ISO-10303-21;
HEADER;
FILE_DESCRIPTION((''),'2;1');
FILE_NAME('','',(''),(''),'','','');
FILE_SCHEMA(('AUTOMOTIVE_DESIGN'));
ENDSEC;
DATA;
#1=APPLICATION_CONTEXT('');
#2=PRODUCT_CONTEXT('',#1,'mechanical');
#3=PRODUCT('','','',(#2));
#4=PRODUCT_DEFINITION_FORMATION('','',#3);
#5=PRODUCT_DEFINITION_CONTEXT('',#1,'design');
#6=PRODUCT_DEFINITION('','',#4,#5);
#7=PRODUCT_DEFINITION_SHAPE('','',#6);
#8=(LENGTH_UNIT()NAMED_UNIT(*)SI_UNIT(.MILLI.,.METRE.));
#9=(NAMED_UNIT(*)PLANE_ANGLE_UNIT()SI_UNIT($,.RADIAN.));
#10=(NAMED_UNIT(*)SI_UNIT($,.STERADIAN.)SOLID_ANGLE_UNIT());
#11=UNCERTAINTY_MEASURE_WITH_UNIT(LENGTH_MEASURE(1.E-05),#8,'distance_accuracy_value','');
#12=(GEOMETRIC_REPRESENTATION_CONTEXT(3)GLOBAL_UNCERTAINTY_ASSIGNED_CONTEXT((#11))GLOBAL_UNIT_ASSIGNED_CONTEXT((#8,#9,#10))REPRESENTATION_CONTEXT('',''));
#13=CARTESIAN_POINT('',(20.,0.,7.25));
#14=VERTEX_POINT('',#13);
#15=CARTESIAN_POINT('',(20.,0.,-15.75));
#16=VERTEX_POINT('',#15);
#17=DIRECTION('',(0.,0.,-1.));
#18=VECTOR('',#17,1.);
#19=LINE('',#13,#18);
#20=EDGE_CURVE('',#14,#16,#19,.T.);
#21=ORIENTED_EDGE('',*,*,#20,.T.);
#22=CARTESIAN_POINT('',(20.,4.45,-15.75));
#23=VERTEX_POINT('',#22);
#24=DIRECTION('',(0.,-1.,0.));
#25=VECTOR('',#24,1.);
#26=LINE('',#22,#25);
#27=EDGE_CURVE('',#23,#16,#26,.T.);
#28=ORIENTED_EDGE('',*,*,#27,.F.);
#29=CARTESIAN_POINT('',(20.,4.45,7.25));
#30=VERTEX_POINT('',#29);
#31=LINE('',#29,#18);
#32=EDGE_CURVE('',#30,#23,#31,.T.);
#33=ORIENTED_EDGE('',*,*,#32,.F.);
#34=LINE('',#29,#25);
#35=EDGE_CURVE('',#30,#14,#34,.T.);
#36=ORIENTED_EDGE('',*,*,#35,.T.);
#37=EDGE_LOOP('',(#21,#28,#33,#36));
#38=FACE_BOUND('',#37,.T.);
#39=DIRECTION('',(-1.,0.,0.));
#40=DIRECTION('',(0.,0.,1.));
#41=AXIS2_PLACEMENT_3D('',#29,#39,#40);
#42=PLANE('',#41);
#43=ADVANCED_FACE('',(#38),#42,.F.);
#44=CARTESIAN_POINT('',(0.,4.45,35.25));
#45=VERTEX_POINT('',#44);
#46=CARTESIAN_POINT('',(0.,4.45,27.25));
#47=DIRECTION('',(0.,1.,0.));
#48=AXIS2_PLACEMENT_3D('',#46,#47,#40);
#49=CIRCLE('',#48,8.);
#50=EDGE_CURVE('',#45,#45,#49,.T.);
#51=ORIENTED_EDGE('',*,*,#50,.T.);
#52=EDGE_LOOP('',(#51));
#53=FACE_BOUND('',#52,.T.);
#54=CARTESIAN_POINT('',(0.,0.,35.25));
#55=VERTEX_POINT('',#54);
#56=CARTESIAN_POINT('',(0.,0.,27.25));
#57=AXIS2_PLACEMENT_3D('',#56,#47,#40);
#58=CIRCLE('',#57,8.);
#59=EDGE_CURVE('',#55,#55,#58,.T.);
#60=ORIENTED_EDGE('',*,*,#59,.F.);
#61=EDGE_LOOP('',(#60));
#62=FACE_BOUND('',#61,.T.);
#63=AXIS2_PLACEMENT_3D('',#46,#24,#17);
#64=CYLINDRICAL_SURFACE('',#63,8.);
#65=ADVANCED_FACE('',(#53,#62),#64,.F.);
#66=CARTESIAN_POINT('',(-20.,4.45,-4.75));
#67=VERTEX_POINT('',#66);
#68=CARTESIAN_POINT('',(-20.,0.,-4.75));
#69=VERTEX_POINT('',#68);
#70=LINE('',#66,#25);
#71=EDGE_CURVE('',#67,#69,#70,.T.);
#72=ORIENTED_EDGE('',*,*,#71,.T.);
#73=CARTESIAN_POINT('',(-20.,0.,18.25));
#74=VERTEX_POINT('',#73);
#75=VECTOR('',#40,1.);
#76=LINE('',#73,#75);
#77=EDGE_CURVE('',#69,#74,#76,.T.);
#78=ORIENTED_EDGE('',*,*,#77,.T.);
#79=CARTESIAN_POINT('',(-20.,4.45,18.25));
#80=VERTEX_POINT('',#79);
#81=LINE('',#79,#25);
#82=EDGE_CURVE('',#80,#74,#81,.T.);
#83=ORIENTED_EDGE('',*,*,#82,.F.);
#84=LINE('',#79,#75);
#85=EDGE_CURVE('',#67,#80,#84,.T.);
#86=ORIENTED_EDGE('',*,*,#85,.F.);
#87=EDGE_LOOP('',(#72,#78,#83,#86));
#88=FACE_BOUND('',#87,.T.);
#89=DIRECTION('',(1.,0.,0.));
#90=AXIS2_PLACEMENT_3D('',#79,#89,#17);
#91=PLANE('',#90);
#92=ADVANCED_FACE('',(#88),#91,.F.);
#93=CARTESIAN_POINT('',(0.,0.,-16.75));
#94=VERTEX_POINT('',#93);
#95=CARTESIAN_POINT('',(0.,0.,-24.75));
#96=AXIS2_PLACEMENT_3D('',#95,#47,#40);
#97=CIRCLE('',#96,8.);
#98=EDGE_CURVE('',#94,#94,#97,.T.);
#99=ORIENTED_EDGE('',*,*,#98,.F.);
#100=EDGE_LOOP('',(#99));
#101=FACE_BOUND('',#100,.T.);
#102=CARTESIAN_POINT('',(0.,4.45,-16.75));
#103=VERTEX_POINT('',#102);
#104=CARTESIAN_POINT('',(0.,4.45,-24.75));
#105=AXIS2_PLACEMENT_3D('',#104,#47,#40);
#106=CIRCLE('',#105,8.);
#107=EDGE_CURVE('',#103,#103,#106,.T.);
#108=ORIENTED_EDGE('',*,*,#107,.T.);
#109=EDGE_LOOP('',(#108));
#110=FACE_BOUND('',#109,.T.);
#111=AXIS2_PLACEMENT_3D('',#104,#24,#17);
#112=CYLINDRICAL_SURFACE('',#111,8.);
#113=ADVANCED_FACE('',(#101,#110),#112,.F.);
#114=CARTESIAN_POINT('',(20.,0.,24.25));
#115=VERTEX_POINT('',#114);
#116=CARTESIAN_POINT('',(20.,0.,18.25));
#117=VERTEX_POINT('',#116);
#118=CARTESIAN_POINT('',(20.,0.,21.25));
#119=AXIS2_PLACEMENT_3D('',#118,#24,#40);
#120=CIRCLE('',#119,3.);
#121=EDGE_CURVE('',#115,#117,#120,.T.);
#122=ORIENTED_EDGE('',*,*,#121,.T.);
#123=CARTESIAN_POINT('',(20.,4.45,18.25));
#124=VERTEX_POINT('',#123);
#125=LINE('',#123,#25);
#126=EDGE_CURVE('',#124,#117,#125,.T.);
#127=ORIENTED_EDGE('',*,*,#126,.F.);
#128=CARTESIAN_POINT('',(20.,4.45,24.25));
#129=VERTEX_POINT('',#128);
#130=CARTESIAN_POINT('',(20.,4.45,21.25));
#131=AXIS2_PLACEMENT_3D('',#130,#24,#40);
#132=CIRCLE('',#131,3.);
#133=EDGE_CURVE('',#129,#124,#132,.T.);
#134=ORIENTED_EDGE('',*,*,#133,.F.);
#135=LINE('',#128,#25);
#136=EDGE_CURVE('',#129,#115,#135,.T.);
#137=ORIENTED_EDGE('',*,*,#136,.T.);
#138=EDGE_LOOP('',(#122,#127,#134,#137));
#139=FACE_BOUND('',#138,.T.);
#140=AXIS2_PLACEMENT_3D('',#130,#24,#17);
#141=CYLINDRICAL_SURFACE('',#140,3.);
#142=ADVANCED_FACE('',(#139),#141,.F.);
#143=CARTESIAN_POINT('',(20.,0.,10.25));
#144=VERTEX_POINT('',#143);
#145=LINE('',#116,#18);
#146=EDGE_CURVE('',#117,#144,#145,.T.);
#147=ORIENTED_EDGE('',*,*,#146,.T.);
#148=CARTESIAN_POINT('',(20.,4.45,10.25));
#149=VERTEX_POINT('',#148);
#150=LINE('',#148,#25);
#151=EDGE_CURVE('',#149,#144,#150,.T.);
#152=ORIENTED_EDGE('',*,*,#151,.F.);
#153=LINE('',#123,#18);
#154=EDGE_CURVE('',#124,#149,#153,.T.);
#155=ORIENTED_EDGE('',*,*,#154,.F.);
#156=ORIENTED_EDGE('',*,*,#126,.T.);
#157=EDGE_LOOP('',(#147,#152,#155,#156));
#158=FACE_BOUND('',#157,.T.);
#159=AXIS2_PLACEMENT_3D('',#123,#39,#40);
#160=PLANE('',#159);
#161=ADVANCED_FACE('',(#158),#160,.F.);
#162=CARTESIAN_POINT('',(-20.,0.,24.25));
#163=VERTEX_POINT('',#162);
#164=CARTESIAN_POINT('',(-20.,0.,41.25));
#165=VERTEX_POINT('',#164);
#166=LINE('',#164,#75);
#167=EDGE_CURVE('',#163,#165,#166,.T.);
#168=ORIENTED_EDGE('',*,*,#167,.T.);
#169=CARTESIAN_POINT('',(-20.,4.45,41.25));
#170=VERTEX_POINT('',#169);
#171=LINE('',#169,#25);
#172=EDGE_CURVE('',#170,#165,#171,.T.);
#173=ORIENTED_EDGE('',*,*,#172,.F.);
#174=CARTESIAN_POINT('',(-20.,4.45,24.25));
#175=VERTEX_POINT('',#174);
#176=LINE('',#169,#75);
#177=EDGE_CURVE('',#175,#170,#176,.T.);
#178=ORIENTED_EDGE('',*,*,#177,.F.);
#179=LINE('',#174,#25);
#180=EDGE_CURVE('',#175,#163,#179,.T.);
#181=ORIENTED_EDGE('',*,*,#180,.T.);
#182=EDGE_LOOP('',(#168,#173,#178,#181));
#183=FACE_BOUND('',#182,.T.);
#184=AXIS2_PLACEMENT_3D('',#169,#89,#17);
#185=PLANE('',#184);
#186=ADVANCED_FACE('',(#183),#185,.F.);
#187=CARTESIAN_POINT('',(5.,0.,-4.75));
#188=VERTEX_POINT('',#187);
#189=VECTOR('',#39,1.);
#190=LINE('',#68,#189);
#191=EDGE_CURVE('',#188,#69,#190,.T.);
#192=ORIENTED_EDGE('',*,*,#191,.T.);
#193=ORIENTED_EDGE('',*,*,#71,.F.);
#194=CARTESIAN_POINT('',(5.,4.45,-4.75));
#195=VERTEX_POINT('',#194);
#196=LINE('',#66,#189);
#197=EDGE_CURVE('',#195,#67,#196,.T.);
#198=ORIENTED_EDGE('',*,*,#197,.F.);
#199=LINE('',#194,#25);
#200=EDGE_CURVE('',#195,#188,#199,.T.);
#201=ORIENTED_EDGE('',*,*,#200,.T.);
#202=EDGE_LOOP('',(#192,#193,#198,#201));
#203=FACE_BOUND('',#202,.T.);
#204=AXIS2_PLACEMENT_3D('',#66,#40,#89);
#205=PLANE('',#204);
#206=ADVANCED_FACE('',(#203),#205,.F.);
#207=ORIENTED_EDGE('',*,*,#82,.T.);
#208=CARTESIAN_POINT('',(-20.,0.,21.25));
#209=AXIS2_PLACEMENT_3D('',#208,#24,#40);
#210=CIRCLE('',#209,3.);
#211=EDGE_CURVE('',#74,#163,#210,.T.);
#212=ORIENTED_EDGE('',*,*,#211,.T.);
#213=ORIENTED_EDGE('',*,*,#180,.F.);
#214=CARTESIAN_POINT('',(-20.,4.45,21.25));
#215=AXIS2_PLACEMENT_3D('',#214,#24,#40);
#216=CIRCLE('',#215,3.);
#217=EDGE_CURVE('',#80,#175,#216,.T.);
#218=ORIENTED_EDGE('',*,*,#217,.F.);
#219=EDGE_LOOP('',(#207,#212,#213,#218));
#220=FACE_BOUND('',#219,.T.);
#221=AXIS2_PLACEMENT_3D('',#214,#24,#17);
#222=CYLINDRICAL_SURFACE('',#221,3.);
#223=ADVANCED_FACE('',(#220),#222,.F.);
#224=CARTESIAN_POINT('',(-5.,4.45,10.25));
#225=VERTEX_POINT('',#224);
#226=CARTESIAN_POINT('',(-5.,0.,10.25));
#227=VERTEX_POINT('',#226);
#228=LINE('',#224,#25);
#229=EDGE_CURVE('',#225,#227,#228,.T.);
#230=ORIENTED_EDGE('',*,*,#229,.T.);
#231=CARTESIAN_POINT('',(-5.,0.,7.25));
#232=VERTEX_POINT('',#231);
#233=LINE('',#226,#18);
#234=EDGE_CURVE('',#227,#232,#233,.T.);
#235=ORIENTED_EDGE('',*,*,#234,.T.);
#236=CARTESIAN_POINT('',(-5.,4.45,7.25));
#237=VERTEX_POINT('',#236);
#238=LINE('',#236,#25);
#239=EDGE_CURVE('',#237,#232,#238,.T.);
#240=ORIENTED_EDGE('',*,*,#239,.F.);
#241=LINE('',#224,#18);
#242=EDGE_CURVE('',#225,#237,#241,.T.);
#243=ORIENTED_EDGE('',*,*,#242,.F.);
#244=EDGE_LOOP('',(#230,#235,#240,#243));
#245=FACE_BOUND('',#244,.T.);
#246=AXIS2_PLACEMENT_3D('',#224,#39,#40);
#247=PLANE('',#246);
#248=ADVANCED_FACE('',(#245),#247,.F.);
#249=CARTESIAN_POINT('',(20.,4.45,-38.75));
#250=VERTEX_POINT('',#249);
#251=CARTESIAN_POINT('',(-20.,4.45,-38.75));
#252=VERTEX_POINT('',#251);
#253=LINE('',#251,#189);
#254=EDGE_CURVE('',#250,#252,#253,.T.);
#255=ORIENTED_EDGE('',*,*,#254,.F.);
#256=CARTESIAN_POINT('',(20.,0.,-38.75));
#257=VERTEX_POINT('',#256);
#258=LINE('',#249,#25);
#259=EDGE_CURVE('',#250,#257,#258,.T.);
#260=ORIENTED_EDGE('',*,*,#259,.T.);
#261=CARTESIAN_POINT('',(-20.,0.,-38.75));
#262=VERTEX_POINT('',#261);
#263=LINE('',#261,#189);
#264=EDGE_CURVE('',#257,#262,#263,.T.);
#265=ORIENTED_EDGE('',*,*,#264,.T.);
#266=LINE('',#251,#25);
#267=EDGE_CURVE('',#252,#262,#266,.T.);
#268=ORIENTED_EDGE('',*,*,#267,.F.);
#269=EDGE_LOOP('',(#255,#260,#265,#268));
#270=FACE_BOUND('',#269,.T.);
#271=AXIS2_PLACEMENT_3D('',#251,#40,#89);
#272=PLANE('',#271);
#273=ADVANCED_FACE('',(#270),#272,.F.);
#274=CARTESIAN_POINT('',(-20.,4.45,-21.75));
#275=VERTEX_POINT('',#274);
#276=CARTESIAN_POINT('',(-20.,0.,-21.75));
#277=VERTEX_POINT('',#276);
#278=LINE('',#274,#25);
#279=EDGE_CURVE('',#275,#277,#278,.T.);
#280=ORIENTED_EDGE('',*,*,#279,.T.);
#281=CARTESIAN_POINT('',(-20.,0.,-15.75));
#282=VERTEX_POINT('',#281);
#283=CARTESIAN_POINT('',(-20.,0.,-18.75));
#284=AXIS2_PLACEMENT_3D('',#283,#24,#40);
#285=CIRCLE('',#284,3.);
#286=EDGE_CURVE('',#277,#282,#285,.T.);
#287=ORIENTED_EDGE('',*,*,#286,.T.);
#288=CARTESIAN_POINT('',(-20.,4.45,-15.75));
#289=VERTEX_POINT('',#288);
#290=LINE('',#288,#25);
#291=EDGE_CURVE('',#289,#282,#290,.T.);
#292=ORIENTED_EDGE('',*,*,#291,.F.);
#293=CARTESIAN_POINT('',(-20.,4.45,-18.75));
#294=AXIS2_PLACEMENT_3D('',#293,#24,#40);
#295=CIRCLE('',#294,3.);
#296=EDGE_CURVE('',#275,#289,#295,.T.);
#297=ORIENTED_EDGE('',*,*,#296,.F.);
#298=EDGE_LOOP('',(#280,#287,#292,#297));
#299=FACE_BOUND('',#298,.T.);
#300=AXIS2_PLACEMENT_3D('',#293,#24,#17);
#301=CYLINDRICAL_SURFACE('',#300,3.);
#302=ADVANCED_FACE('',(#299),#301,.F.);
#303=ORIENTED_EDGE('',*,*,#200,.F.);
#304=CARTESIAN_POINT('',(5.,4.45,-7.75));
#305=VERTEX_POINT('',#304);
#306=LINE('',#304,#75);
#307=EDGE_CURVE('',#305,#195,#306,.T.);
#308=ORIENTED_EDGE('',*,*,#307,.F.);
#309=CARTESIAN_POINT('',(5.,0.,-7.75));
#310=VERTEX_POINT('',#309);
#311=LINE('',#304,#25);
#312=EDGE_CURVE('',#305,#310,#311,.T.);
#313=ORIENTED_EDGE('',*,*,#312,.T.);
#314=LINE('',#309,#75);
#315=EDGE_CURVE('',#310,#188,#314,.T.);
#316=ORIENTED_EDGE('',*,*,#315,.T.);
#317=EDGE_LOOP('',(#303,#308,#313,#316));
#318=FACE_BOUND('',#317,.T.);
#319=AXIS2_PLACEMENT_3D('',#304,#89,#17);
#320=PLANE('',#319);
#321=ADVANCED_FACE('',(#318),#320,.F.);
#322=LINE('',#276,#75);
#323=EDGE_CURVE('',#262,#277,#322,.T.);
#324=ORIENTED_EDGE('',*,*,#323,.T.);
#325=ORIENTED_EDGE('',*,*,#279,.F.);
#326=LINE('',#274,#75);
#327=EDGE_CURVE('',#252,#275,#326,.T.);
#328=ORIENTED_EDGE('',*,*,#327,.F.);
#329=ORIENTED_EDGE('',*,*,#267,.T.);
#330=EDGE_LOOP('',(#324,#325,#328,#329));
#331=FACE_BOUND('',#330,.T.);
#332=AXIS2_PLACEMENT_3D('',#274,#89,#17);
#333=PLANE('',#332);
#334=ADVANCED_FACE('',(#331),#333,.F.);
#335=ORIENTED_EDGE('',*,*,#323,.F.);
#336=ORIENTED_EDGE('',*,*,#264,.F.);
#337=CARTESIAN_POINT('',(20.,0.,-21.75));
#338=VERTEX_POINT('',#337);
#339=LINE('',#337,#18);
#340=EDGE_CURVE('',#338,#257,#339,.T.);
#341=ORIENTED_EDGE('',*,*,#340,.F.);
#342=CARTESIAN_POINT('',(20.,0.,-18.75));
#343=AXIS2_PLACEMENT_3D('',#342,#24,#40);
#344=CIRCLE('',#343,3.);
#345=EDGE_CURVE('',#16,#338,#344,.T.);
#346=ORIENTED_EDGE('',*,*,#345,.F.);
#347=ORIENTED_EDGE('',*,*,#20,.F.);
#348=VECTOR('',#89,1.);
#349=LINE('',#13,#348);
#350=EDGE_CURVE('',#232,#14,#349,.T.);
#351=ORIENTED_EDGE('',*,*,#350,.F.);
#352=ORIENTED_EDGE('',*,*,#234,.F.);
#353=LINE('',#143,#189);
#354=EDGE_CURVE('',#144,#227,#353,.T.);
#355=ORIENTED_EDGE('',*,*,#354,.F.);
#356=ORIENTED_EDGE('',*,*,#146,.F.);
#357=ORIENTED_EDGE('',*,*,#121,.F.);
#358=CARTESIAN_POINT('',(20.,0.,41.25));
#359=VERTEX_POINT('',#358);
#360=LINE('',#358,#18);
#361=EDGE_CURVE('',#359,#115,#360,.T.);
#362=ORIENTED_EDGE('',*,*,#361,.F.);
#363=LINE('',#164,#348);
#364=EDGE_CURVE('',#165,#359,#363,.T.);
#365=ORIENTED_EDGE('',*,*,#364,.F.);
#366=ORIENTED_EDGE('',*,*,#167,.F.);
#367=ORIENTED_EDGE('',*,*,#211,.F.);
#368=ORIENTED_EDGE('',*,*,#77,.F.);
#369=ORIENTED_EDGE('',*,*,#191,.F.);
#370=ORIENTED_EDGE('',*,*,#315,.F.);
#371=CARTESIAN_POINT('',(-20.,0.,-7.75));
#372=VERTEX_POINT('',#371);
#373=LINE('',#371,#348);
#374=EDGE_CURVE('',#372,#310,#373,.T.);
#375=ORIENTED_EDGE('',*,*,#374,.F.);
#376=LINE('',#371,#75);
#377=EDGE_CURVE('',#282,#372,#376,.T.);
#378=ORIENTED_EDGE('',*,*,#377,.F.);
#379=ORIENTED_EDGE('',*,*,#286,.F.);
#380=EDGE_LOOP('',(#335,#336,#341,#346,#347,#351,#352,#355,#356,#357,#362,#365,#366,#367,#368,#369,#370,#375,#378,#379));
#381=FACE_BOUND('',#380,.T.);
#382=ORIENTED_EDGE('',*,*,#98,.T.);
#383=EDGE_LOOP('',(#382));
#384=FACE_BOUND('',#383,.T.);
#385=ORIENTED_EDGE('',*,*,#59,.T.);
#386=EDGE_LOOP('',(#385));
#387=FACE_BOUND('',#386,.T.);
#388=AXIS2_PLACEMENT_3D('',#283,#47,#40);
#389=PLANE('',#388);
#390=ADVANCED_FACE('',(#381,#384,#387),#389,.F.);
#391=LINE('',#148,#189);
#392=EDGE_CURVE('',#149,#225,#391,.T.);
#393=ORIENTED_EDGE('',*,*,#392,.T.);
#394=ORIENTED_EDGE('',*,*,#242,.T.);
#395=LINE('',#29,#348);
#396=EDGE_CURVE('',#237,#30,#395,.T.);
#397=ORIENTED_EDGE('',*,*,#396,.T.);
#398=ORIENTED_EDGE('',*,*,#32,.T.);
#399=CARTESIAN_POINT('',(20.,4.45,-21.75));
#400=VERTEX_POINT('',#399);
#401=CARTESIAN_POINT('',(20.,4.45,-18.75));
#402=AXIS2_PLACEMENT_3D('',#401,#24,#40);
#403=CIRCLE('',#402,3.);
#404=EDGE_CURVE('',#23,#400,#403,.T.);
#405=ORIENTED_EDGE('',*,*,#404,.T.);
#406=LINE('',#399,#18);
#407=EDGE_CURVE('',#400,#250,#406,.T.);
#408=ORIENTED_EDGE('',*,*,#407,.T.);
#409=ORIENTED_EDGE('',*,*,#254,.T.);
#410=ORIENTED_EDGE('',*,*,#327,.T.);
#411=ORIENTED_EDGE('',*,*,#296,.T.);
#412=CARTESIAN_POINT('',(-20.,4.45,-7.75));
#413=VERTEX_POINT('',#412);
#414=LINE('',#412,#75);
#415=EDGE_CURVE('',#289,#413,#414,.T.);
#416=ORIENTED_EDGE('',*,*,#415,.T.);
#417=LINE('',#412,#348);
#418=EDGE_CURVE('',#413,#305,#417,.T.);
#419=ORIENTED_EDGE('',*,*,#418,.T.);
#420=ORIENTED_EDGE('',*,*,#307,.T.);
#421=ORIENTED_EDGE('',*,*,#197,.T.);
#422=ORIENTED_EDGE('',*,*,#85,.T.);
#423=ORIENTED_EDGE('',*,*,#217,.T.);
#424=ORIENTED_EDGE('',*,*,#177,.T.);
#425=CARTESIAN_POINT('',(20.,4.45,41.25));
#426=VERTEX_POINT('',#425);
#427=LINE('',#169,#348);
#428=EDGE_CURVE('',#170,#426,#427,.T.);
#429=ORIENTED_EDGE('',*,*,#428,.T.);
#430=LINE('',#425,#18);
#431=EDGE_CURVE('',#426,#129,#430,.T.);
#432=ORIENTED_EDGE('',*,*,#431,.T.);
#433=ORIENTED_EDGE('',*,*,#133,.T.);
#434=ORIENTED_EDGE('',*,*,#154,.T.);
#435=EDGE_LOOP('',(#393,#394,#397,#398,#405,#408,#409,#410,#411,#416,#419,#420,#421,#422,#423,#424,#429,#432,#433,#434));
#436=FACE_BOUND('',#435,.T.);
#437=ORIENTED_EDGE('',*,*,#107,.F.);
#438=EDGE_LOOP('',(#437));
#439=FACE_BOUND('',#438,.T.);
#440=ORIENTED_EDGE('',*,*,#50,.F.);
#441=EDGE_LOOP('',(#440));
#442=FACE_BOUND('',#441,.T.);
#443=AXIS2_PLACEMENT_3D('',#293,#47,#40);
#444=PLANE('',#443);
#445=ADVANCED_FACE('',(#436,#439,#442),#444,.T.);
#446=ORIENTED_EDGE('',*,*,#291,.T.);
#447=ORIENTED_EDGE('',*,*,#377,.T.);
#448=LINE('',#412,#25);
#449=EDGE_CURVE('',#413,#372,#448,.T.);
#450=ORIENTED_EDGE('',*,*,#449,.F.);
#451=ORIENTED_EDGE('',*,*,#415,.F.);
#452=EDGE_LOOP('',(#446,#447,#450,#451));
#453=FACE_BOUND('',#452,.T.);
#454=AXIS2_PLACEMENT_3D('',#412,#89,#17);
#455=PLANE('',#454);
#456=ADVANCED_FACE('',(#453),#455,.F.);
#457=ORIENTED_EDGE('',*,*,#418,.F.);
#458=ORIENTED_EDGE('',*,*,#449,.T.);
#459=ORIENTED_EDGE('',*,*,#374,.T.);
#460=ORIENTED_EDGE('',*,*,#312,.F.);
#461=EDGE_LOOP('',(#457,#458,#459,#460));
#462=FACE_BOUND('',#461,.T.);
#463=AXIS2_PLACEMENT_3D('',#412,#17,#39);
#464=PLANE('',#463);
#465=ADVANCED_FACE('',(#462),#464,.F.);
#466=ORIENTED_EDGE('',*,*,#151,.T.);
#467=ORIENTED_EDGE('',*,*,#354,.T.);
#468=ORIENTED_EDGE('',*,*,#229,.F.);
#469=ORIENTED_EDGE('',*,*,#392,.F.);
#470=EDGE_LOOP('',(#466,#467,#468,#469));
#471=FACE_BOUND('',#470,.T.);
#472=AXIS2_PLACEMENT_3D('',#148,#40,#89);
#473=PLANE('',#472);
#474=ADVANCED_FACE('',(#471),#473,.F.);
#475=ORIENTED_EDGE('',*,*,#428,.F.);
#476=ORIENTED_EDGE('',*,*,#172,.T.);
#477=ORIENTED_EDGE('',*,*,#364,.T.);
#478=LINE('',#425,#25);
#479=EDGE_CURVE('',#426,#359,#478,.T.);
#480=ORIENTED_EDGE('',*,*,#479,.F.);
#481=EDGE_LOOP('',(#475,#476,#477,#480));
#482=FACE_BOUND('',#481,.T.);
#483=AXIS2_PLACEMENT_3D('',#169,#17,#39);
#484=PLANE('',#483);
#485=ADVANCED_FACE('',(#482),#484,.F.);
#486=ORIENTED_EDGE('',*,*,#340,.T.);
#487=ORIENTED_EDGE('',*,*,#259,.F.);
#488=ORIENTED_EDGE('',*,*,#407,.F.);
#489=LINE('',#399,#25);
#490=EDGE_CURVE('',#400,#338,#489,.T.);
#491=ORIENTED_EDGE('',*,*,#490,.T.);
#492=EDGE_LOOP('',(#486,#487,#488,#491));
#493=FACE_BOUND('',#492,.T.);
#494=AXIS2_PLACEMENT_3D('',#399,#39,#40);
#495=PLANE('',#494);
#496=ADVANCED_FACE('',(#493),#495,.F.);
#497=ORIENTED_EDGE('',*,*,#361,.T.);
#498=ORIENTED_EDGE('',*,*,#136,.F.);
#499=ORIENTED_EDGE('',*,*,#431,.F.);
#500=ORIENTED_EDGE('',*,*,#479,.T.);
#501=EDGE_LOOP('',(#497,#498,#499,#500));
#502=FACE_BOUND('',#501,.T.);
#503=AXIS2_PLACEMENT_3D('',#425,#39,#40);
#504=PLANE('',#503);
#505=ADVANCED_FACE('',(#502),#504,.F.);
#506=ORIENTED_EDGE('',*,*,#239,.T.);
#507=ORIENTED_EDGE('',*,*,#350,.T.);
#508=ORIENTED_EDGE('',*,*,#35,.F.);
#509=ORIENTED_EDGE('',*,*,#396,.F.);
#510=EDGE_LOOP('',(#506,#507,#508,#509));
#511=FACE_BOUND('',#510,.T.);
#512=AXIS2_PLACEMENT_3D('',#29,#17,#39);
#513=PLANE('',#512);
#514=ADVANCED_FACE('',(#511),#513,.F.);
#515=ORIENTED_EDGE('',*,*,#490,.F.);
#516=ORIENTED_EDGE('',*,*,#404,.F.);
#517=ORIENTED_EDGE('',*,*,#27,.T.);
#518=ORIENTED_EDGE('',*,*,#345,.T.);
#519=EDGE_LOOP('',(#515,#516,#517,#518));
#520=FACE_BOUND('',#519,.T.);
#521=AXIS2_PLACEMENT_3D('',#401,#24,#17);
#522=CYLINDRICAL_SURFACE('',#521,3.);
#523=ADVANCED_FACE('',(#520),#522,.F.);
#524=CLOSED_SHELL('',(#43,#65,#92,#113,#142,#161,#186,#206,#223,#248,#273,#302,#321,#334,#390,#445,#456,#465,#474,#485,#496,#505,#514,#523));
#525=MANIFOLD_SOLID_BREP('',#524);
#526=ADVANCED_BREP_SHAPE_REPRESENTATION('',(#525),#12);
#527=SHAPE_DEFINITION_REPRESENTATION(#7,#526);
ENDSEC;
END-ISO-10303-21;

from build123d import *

# Parameters (mm, degrees)
CROQUIS1_R              = 8
SALIENTE_EXTRUIR1_DEPTH = 4.45


with BuildPart() as part:
    # Croquis1 → Saliente-Extruir1 (new body)
    with BuildSketch(Plane(origin=(0, 0, 0), x_dir=(1, 0, 0), z_dir=(0, 1, 0))):
        with BuildLine():
            Line((-20, -41.25), (20, -41.25))
            Line((20, -41.25), (20, -24.25))
            ThreePointArc((20, -24.25), (17, -21.25), (20, -18.25))
            Line((20, -18.25), (20, -10.25))
            Line((20, -10.25), (-5, -10.25))
            Line((-5, -10.25), (-5, -7.25))
            Line((-5, -7.25), (20, -7.25))
            Line((20, -7.25), (20, 15.75))
            ThreePointArc((20, 15.75), (17, 18.75), (20, 21.75))
            Line((20, 21.75), (20, 38.75))
            Line((20, 38.75), (-20, 38.75))
            Line((-20, 38.75), (-20, 21.75))
            ThreePointArc((-20, 21.75), (-17, 18.75), (-20, 15.75))
            Line((-20, 15.75), (-20, 7.75))
            Line((-20, 7.75), (5, 7.75))
            Line((5, 7.75), (5, 4.75))
            Line((5, 4.75), (-20, 4.75))
            Line((-20, 4.75), (-20, -18.25))
            ThreePointArc((-20, -18.25), (-17, -21.25), (-20, -24.25))
            Line((-20, -24.25), (-20, -41.25))
        make_face()
        with Locations((0, -27.25)):
            Circle(CROQUIS1_R, mode=Mode.SUBTRACT)
        with Locations((0, 24.75)):
            Circle(CROQUIS1_R, mode=Mode.SUBTRACT)
    extrude(amount=SALIENTE_EXTRUIR1_DEPTH)


solid = part.part
